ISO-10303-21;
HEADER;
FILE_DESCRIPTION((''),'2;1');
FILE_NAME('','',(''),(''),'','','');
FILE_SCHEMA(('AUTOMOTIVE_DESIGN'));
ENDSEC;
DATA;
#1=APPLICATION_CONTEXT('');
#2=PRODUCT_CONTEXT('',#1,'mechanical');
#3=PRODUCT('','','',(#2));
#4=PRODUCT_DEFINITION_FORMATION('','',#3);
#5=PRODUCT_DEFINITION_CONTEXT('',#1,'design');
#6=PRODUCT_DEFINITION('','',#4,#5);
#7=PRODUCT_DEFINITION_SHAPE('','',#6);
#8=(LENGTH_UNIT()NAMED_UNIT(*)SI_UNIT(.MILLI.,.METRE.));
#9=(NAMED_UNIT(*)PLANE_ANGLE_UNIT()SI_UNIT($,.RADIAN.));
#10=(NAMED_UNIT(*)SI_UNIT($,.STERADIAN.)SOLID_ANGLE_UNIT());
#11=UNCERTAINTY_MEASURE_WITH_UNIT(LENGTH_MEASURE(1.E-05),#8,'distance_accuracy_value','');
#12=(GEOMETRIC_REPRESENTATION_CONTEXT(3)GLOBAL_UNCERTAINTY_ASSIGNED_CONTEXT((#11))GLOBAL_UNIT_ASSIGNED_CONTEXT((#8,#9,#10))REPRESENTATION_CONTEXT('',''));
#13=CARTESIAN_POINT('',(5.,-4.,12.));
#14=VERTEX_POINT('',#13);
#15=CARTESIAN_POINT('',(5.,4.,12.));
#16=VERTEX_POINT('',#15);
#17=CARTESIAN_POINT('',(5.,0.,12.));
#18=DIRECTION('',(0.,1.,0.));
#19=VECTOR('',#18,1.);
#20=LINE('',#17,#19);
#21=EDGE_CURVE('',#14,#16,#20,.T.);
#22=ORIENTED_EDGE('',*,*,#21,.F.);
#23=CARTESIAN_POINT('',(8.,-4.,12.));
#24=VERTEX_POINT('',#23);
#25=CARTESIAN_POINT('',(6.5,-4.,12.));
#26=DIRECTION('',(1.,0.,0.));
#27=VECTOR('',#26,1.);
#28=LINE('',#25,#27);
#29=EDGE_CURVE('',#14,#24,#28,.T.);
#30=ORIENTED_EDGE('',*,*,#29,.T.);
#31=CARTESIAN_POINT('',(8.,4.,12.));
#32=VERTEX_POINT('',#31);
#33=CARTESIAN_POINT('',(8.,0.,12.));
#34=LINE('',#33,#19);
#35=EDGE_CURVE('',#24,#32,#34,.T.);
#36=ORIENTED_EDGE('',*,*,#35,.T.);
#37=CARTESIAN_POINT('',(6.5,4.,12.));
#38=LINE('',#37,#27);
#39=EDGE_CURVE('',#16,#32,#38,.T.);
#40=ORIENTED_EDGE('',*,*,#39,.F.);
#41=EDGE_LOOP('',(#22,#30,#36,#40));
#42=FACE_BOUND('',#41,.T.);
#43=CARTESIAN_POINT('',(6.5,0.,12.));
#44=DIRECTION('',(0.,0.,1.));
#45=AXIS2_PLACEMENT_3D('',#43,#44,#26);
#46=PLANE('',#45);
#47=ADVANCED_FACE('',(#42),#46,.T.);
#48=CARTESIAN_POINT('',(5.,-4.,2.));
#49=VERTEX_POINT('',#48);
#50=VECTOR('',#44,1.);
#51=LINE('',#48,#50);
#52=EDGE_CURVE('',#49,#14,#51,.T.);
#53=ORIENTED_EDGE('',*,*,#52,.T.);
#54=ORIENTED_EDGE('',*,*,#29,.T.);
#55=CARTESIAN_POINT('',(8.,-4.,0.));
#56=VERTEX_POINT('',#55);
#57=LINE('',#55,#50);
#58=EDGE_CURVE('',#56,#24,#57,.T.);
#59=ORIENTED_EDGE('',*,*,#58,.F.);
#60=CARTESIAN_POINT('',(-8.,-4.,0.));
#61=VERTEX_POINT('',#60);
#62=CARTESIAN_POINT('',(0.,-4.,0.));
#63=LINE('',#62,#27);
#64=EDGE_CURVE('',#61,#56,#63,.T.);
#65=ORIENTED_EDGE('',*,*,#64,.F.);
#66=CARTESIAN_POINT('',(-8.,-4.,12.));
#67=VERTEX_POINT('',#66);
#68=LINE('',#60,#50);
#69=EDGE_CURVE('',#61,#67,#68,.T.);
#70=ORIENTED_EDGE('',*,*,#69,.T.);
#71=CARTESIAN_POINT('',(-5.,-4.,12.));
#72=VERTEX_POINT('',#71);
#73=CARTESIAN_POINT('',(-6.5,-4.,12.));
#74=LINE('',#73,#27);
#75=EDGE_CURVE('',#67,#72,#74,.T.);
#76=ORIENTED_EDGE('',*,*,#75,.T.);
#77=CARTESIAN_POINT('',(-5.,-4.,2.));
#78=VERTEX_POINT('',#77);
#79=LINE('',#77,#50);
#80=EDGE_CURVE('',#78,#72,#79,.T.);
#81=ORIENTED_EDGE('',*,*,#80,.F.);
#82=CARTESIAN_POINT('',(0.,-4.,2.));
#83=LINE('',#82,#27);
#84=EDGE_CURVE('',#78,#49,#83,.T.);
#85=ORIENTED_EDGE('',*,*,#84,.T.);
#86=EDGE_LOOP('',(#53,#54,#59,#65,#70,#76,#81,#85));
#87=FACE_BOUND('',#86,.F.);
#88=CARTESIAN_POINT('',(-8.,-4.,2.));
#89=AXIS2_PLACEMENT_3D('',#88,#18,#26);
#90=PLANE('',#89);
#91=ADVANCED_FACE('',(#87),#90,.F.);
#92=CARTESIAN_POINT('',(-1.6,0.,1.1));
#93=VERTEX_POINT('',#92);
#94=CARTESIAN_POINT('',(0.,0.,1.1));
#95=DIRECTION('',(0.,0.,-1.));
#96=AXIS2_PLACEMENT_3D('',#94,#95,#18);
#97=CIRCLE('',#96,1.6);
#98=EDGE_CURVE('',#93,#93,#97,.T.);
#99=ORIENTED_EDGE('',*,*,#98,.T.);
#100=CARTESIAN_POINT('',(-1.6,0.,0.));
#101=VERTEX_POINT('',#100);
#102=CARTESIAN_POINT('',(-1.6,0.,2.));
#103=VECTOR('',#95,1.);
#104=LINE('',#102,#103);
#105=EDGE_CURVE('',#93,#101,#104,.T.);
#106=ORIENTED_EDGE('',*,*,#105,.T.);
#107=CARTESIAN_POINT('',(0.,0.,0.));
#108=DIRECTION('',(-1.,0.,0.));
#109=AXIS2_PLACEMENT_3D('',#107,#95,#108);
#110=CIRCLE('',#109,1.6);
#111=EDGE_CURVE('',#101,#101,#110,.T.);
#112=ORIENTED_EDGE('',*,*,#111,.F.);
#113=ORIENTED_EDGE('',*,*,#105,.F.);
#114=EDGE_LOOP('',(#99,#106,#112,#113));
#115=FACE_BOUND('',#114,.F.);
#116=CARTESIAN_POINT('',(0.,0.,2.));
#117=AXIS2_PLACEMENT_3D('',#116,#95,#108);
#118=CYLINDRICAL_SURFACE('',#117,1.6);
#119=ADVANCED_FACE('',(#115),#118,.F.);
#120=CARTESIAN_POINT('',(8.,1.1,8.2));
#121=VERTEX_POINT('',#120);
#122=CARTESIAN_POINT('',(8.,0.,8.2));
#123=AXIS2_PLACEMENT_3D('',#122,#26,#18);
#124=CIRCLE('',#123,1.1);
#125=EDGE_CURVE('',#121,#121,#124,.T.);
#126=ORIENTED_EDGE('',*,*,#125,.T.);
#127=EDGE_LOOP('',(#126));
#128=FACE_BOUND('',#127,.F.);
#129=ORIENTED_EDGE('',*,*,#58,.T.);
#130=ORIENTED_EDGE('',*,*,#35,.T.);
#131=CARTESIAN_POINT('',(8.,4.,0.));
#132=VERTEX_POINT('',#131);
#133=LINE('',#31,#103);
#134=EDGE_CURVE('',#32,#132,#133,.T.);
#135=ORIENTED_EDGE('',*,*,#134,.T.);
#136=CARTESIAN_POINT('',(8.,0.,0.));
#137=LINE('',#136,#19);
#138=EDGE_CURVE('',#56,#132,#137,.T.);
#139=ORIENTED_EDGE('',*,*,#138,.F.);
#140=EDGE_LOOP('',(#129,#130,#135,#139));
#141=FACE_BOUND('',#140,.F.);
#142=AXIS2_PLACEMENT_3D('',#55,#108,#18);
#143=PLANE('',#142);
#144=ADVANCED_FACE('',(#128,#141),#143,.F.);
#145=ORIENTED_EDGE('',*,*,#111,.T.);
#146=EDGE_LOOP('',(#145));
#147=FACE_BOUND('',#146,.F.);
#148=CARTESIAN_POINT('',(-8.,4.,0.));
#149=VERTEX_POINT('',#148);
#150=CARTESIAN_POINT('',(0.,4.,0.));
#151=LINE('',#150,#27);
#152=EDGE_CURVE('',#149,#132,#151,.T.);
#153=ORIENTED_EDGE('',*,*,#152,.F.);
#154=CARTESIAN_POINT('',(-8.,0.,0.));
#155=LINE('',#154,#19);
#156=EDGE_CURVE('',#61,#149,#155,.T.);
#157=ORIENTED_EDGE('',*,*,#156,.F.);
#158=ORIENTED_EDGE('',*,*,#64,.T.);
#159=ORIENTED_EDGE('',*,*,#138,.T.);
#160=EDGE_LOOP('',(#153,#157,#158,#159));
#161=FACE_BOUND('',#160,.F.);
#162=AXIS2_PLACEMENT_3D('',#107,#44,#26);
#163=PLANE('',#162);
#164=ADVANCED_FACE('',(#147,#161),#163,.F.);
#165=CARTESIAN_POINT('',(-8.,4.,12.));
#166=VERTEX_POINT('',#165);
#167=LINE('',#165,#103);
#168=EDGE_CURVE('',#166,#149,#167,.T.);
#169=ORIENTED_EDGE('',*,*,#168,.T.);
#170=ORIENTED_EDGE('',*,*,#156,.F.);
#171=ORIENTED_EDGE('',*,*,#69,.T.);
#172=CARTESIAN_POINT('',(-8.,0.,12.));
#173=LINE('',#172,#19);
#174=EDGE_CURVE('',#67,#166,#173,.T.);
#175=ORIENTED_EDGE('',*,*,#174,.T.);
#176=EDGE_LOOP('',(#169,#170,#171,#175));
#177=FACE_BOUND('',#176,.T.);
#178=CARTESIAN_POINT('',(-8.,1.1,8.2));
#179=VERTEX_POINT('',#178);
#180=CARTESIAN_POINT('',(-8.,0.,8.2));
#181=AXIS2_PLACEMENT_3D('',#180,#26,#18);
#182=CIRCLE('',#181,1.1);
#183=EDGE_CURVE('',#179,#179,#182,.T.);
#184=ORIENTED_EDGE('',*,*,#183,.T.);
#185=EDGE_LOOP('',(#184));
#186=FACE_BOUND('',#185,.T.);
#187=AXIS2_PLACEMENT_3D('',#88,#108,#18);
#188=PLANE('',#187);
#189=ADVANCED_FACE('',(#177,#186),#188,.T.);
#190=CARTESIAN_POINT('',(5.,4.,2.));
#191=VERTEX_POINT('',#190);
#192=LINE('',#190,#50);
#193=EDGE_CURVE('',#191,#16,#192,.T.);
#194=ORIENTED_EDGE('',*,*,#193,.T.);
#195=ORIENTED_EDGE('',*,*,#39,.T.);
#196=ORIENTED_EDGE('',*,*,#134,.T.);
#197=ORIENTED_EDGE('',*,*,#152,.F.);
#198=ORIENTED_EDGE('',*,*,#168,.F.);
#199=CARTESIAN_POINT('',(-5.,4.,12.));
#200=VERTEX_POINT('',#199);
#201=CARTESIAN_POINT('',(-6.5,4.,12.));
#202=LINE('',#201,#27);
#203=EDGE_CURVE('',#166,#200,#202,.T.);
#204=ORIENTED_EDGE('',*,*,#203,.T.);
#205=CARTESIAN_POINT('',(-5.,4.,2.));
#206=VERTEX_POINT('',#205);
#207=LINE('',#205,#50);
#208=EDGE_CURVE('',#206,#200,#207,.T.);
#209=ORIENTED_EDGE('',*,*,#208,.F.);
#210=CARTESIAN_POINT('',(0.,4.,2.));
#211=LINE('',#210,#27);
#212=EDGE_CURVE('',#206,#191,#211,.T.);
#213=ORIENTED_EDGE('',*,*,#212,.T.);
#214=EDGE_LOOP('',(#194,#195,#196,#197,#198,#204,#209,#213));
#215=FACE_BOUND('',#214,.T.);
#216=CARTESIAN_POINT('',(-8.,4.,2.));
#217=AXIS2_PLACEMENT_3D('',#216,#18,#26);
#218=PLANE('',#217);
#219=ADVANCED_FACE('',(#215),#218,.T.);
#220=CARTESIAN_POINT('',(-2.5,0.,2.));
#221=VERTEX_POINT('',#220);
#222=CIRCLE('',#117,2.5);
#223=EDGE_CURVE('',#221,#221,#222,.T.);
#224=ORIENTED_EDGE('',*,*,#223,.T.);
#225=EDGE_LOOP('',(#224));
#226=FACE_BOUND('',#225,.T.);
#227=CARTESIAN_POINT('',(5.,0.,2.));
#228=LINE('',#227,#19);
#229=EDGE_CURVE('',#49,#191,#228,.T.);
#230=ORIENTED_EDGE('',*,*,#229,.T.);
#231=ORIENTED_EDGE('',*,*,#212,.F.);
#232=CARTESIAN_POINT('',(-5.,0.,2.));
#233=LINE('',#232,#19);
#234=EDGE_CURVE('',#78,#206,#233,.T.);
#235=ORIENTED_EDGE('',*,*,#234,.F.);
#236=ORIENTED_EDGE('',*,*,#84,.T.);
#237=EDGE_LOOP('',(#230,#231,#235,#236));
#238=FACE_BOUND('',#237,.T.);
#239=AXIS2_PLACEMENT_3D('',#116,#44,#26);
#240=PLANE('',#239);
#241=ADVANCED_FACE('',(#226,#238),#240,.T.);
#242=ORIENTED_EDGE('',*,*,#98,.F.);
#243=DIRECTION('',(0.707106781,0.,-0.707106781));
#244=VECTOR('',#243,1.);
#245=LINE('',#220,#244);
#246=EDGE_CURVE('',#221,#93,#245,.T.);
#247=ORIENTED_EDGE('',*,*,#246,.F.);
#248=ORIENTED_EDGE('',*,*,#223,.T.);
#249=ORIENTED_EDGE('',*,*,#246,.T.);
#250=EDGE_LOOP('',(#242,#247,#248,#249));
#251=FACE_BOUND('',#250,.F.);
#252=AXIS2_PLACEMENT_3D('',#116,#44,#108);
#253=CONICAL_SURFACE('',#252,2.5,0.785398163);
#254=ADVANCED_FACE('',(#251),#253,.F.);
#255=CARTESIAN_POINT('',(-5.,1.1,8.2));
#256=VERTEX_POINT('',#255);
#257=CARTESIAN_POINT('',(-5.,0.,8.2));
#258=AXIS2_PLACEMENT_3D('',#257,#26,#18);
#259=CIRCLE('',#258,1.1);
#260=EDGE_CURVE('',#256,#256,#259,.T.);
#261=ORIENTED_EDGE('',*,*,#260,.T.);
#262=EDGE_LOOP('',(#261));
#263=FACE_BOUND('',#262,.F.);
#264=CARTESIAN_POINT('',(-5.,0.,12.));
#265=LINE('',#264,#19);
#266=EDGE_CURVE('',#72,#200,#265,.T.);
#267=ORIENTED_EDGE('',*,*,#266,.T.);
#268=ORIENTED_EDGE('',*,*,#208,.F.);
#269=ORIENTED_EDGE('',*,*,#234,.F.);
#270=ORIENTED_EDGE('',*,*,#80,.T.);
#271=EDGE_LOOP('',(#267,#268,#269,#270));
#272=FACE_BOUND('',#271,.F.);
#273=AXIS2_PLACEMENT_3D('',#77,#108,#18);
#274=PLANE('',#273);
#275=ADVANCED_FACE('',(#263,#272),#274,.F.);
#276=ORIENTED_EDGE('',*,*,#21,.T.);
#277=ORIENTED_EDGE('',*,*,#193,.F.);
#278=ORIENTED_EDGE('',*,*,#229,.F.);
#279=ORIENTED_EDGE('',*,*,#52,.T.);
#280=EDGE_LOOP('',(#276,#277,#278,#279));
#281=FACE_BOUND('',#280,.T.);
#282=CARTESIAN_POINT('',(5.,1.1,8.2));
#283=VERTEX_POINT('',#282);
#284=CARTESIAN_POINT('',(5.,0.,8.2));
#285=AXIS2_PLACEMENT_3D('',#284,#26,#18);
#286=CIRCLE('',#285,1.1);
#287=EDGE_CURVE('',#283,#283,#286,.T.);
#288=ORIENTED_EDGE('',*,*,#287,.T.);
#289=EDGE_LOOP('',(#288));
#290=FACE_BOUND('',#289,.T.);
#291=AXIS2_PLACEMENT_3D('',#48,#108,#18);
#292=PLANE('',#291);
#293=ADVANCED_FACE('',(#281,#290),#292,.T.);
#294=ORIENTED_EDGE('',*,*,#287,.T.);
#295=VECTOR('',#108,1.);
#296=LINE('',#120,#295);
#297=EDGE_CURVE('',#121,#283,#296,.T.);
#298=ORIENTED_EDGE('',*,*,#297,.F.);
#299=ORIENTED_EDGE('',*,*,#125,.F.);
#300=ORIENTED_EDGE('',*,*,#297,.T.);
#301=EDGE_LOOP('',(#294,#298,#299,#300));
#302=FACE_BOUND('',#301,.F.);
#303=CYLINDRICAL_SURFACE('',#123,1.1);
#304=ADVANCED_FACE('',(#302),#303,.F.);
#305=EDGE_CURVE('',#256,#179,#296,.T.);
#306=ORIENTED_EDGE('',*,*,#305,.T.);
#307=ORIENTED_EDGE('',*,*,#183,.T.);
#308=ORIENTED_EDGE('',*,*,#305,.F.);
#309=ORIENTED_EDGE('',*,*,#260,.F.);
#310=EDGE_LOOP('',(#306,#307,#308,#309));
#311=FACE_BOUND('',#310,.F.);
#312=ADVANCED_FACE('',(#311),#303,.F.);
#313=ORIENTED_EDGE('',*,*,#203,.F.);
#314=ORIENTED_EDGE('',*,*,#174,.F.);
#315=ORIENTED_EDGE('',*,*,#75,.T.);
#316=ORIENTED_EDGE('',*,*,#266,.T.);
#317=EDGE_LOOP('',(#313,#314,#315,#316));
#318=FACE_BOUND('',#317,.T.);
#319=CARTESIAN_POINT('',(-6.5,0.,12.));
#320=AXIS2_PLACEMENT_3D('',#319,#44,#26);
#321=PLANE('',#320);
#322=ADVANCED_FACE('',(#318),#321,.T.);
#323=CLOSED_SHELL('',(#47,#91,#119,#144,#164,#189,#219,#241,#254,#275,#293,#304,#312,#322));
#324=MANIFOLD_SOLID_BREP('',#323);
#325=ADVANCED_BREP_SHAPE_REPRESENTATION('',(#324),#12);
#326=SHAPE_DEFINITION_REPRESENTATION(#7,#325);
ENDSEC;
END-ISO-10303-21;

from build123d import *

# Parameters (mm, degrees)
SKETCH_W            = 16
SKETCH_H            = 8
PAD_DEPTH           = 2
SKETCH001_W         = 3
SKETCH001_H         = 8
PAD001_DEPTH        = 10
SKETCH002_R         = 1.1
HOLE_DEPTH          = 16.001
HOLE001_D           = 3.2
HOLE001_CSINK_D     = 5
HOLE001_CSINK_ANGLE = 90


with BuildPart() as part:
    # Sketch → Pad (new body)
    with BuildSketch(Plane.XY):
        Rectangle(SKETCH_W, SKETCH_H)
    extrude(amount=PAD_DEPTH)

    # Sketch001 (on Face6 of Pad) → Pad001 (join)
    with BuildSketch(Plane.XY.offset(2)):
        with Locations((-6.5, 0)):
            Rectangle(SKETCH001_W, SKETCH001_H)
        with Locations((6.5, 0)):
            Rectangle(SKETCH001_W, SKETCH001_H)
    extrude(amount=PAD001_DEPTH)

    # Sketch002 (on Face10 of Pad001) → Hole (cut, through all)
    with BuildSketch(Plane.YZ.offset(8)):
        with Locations((0, 8.2)):
            Circle(SKETCH002_R)
    extrude(amount=-HOLE_DEPTH, mode=Mode.SUBTRACT)

    # Hole001 (through all)
    with Locations(Plane.XY.offset(2)):
        with Locations((0, 0)):
            CounterSinkHole(HOLE001_D / 2, HOLE001_CSINK_D / 2, counter_sink_angle=HOLE001_CSINK_ANGLE)


solid = part.part
